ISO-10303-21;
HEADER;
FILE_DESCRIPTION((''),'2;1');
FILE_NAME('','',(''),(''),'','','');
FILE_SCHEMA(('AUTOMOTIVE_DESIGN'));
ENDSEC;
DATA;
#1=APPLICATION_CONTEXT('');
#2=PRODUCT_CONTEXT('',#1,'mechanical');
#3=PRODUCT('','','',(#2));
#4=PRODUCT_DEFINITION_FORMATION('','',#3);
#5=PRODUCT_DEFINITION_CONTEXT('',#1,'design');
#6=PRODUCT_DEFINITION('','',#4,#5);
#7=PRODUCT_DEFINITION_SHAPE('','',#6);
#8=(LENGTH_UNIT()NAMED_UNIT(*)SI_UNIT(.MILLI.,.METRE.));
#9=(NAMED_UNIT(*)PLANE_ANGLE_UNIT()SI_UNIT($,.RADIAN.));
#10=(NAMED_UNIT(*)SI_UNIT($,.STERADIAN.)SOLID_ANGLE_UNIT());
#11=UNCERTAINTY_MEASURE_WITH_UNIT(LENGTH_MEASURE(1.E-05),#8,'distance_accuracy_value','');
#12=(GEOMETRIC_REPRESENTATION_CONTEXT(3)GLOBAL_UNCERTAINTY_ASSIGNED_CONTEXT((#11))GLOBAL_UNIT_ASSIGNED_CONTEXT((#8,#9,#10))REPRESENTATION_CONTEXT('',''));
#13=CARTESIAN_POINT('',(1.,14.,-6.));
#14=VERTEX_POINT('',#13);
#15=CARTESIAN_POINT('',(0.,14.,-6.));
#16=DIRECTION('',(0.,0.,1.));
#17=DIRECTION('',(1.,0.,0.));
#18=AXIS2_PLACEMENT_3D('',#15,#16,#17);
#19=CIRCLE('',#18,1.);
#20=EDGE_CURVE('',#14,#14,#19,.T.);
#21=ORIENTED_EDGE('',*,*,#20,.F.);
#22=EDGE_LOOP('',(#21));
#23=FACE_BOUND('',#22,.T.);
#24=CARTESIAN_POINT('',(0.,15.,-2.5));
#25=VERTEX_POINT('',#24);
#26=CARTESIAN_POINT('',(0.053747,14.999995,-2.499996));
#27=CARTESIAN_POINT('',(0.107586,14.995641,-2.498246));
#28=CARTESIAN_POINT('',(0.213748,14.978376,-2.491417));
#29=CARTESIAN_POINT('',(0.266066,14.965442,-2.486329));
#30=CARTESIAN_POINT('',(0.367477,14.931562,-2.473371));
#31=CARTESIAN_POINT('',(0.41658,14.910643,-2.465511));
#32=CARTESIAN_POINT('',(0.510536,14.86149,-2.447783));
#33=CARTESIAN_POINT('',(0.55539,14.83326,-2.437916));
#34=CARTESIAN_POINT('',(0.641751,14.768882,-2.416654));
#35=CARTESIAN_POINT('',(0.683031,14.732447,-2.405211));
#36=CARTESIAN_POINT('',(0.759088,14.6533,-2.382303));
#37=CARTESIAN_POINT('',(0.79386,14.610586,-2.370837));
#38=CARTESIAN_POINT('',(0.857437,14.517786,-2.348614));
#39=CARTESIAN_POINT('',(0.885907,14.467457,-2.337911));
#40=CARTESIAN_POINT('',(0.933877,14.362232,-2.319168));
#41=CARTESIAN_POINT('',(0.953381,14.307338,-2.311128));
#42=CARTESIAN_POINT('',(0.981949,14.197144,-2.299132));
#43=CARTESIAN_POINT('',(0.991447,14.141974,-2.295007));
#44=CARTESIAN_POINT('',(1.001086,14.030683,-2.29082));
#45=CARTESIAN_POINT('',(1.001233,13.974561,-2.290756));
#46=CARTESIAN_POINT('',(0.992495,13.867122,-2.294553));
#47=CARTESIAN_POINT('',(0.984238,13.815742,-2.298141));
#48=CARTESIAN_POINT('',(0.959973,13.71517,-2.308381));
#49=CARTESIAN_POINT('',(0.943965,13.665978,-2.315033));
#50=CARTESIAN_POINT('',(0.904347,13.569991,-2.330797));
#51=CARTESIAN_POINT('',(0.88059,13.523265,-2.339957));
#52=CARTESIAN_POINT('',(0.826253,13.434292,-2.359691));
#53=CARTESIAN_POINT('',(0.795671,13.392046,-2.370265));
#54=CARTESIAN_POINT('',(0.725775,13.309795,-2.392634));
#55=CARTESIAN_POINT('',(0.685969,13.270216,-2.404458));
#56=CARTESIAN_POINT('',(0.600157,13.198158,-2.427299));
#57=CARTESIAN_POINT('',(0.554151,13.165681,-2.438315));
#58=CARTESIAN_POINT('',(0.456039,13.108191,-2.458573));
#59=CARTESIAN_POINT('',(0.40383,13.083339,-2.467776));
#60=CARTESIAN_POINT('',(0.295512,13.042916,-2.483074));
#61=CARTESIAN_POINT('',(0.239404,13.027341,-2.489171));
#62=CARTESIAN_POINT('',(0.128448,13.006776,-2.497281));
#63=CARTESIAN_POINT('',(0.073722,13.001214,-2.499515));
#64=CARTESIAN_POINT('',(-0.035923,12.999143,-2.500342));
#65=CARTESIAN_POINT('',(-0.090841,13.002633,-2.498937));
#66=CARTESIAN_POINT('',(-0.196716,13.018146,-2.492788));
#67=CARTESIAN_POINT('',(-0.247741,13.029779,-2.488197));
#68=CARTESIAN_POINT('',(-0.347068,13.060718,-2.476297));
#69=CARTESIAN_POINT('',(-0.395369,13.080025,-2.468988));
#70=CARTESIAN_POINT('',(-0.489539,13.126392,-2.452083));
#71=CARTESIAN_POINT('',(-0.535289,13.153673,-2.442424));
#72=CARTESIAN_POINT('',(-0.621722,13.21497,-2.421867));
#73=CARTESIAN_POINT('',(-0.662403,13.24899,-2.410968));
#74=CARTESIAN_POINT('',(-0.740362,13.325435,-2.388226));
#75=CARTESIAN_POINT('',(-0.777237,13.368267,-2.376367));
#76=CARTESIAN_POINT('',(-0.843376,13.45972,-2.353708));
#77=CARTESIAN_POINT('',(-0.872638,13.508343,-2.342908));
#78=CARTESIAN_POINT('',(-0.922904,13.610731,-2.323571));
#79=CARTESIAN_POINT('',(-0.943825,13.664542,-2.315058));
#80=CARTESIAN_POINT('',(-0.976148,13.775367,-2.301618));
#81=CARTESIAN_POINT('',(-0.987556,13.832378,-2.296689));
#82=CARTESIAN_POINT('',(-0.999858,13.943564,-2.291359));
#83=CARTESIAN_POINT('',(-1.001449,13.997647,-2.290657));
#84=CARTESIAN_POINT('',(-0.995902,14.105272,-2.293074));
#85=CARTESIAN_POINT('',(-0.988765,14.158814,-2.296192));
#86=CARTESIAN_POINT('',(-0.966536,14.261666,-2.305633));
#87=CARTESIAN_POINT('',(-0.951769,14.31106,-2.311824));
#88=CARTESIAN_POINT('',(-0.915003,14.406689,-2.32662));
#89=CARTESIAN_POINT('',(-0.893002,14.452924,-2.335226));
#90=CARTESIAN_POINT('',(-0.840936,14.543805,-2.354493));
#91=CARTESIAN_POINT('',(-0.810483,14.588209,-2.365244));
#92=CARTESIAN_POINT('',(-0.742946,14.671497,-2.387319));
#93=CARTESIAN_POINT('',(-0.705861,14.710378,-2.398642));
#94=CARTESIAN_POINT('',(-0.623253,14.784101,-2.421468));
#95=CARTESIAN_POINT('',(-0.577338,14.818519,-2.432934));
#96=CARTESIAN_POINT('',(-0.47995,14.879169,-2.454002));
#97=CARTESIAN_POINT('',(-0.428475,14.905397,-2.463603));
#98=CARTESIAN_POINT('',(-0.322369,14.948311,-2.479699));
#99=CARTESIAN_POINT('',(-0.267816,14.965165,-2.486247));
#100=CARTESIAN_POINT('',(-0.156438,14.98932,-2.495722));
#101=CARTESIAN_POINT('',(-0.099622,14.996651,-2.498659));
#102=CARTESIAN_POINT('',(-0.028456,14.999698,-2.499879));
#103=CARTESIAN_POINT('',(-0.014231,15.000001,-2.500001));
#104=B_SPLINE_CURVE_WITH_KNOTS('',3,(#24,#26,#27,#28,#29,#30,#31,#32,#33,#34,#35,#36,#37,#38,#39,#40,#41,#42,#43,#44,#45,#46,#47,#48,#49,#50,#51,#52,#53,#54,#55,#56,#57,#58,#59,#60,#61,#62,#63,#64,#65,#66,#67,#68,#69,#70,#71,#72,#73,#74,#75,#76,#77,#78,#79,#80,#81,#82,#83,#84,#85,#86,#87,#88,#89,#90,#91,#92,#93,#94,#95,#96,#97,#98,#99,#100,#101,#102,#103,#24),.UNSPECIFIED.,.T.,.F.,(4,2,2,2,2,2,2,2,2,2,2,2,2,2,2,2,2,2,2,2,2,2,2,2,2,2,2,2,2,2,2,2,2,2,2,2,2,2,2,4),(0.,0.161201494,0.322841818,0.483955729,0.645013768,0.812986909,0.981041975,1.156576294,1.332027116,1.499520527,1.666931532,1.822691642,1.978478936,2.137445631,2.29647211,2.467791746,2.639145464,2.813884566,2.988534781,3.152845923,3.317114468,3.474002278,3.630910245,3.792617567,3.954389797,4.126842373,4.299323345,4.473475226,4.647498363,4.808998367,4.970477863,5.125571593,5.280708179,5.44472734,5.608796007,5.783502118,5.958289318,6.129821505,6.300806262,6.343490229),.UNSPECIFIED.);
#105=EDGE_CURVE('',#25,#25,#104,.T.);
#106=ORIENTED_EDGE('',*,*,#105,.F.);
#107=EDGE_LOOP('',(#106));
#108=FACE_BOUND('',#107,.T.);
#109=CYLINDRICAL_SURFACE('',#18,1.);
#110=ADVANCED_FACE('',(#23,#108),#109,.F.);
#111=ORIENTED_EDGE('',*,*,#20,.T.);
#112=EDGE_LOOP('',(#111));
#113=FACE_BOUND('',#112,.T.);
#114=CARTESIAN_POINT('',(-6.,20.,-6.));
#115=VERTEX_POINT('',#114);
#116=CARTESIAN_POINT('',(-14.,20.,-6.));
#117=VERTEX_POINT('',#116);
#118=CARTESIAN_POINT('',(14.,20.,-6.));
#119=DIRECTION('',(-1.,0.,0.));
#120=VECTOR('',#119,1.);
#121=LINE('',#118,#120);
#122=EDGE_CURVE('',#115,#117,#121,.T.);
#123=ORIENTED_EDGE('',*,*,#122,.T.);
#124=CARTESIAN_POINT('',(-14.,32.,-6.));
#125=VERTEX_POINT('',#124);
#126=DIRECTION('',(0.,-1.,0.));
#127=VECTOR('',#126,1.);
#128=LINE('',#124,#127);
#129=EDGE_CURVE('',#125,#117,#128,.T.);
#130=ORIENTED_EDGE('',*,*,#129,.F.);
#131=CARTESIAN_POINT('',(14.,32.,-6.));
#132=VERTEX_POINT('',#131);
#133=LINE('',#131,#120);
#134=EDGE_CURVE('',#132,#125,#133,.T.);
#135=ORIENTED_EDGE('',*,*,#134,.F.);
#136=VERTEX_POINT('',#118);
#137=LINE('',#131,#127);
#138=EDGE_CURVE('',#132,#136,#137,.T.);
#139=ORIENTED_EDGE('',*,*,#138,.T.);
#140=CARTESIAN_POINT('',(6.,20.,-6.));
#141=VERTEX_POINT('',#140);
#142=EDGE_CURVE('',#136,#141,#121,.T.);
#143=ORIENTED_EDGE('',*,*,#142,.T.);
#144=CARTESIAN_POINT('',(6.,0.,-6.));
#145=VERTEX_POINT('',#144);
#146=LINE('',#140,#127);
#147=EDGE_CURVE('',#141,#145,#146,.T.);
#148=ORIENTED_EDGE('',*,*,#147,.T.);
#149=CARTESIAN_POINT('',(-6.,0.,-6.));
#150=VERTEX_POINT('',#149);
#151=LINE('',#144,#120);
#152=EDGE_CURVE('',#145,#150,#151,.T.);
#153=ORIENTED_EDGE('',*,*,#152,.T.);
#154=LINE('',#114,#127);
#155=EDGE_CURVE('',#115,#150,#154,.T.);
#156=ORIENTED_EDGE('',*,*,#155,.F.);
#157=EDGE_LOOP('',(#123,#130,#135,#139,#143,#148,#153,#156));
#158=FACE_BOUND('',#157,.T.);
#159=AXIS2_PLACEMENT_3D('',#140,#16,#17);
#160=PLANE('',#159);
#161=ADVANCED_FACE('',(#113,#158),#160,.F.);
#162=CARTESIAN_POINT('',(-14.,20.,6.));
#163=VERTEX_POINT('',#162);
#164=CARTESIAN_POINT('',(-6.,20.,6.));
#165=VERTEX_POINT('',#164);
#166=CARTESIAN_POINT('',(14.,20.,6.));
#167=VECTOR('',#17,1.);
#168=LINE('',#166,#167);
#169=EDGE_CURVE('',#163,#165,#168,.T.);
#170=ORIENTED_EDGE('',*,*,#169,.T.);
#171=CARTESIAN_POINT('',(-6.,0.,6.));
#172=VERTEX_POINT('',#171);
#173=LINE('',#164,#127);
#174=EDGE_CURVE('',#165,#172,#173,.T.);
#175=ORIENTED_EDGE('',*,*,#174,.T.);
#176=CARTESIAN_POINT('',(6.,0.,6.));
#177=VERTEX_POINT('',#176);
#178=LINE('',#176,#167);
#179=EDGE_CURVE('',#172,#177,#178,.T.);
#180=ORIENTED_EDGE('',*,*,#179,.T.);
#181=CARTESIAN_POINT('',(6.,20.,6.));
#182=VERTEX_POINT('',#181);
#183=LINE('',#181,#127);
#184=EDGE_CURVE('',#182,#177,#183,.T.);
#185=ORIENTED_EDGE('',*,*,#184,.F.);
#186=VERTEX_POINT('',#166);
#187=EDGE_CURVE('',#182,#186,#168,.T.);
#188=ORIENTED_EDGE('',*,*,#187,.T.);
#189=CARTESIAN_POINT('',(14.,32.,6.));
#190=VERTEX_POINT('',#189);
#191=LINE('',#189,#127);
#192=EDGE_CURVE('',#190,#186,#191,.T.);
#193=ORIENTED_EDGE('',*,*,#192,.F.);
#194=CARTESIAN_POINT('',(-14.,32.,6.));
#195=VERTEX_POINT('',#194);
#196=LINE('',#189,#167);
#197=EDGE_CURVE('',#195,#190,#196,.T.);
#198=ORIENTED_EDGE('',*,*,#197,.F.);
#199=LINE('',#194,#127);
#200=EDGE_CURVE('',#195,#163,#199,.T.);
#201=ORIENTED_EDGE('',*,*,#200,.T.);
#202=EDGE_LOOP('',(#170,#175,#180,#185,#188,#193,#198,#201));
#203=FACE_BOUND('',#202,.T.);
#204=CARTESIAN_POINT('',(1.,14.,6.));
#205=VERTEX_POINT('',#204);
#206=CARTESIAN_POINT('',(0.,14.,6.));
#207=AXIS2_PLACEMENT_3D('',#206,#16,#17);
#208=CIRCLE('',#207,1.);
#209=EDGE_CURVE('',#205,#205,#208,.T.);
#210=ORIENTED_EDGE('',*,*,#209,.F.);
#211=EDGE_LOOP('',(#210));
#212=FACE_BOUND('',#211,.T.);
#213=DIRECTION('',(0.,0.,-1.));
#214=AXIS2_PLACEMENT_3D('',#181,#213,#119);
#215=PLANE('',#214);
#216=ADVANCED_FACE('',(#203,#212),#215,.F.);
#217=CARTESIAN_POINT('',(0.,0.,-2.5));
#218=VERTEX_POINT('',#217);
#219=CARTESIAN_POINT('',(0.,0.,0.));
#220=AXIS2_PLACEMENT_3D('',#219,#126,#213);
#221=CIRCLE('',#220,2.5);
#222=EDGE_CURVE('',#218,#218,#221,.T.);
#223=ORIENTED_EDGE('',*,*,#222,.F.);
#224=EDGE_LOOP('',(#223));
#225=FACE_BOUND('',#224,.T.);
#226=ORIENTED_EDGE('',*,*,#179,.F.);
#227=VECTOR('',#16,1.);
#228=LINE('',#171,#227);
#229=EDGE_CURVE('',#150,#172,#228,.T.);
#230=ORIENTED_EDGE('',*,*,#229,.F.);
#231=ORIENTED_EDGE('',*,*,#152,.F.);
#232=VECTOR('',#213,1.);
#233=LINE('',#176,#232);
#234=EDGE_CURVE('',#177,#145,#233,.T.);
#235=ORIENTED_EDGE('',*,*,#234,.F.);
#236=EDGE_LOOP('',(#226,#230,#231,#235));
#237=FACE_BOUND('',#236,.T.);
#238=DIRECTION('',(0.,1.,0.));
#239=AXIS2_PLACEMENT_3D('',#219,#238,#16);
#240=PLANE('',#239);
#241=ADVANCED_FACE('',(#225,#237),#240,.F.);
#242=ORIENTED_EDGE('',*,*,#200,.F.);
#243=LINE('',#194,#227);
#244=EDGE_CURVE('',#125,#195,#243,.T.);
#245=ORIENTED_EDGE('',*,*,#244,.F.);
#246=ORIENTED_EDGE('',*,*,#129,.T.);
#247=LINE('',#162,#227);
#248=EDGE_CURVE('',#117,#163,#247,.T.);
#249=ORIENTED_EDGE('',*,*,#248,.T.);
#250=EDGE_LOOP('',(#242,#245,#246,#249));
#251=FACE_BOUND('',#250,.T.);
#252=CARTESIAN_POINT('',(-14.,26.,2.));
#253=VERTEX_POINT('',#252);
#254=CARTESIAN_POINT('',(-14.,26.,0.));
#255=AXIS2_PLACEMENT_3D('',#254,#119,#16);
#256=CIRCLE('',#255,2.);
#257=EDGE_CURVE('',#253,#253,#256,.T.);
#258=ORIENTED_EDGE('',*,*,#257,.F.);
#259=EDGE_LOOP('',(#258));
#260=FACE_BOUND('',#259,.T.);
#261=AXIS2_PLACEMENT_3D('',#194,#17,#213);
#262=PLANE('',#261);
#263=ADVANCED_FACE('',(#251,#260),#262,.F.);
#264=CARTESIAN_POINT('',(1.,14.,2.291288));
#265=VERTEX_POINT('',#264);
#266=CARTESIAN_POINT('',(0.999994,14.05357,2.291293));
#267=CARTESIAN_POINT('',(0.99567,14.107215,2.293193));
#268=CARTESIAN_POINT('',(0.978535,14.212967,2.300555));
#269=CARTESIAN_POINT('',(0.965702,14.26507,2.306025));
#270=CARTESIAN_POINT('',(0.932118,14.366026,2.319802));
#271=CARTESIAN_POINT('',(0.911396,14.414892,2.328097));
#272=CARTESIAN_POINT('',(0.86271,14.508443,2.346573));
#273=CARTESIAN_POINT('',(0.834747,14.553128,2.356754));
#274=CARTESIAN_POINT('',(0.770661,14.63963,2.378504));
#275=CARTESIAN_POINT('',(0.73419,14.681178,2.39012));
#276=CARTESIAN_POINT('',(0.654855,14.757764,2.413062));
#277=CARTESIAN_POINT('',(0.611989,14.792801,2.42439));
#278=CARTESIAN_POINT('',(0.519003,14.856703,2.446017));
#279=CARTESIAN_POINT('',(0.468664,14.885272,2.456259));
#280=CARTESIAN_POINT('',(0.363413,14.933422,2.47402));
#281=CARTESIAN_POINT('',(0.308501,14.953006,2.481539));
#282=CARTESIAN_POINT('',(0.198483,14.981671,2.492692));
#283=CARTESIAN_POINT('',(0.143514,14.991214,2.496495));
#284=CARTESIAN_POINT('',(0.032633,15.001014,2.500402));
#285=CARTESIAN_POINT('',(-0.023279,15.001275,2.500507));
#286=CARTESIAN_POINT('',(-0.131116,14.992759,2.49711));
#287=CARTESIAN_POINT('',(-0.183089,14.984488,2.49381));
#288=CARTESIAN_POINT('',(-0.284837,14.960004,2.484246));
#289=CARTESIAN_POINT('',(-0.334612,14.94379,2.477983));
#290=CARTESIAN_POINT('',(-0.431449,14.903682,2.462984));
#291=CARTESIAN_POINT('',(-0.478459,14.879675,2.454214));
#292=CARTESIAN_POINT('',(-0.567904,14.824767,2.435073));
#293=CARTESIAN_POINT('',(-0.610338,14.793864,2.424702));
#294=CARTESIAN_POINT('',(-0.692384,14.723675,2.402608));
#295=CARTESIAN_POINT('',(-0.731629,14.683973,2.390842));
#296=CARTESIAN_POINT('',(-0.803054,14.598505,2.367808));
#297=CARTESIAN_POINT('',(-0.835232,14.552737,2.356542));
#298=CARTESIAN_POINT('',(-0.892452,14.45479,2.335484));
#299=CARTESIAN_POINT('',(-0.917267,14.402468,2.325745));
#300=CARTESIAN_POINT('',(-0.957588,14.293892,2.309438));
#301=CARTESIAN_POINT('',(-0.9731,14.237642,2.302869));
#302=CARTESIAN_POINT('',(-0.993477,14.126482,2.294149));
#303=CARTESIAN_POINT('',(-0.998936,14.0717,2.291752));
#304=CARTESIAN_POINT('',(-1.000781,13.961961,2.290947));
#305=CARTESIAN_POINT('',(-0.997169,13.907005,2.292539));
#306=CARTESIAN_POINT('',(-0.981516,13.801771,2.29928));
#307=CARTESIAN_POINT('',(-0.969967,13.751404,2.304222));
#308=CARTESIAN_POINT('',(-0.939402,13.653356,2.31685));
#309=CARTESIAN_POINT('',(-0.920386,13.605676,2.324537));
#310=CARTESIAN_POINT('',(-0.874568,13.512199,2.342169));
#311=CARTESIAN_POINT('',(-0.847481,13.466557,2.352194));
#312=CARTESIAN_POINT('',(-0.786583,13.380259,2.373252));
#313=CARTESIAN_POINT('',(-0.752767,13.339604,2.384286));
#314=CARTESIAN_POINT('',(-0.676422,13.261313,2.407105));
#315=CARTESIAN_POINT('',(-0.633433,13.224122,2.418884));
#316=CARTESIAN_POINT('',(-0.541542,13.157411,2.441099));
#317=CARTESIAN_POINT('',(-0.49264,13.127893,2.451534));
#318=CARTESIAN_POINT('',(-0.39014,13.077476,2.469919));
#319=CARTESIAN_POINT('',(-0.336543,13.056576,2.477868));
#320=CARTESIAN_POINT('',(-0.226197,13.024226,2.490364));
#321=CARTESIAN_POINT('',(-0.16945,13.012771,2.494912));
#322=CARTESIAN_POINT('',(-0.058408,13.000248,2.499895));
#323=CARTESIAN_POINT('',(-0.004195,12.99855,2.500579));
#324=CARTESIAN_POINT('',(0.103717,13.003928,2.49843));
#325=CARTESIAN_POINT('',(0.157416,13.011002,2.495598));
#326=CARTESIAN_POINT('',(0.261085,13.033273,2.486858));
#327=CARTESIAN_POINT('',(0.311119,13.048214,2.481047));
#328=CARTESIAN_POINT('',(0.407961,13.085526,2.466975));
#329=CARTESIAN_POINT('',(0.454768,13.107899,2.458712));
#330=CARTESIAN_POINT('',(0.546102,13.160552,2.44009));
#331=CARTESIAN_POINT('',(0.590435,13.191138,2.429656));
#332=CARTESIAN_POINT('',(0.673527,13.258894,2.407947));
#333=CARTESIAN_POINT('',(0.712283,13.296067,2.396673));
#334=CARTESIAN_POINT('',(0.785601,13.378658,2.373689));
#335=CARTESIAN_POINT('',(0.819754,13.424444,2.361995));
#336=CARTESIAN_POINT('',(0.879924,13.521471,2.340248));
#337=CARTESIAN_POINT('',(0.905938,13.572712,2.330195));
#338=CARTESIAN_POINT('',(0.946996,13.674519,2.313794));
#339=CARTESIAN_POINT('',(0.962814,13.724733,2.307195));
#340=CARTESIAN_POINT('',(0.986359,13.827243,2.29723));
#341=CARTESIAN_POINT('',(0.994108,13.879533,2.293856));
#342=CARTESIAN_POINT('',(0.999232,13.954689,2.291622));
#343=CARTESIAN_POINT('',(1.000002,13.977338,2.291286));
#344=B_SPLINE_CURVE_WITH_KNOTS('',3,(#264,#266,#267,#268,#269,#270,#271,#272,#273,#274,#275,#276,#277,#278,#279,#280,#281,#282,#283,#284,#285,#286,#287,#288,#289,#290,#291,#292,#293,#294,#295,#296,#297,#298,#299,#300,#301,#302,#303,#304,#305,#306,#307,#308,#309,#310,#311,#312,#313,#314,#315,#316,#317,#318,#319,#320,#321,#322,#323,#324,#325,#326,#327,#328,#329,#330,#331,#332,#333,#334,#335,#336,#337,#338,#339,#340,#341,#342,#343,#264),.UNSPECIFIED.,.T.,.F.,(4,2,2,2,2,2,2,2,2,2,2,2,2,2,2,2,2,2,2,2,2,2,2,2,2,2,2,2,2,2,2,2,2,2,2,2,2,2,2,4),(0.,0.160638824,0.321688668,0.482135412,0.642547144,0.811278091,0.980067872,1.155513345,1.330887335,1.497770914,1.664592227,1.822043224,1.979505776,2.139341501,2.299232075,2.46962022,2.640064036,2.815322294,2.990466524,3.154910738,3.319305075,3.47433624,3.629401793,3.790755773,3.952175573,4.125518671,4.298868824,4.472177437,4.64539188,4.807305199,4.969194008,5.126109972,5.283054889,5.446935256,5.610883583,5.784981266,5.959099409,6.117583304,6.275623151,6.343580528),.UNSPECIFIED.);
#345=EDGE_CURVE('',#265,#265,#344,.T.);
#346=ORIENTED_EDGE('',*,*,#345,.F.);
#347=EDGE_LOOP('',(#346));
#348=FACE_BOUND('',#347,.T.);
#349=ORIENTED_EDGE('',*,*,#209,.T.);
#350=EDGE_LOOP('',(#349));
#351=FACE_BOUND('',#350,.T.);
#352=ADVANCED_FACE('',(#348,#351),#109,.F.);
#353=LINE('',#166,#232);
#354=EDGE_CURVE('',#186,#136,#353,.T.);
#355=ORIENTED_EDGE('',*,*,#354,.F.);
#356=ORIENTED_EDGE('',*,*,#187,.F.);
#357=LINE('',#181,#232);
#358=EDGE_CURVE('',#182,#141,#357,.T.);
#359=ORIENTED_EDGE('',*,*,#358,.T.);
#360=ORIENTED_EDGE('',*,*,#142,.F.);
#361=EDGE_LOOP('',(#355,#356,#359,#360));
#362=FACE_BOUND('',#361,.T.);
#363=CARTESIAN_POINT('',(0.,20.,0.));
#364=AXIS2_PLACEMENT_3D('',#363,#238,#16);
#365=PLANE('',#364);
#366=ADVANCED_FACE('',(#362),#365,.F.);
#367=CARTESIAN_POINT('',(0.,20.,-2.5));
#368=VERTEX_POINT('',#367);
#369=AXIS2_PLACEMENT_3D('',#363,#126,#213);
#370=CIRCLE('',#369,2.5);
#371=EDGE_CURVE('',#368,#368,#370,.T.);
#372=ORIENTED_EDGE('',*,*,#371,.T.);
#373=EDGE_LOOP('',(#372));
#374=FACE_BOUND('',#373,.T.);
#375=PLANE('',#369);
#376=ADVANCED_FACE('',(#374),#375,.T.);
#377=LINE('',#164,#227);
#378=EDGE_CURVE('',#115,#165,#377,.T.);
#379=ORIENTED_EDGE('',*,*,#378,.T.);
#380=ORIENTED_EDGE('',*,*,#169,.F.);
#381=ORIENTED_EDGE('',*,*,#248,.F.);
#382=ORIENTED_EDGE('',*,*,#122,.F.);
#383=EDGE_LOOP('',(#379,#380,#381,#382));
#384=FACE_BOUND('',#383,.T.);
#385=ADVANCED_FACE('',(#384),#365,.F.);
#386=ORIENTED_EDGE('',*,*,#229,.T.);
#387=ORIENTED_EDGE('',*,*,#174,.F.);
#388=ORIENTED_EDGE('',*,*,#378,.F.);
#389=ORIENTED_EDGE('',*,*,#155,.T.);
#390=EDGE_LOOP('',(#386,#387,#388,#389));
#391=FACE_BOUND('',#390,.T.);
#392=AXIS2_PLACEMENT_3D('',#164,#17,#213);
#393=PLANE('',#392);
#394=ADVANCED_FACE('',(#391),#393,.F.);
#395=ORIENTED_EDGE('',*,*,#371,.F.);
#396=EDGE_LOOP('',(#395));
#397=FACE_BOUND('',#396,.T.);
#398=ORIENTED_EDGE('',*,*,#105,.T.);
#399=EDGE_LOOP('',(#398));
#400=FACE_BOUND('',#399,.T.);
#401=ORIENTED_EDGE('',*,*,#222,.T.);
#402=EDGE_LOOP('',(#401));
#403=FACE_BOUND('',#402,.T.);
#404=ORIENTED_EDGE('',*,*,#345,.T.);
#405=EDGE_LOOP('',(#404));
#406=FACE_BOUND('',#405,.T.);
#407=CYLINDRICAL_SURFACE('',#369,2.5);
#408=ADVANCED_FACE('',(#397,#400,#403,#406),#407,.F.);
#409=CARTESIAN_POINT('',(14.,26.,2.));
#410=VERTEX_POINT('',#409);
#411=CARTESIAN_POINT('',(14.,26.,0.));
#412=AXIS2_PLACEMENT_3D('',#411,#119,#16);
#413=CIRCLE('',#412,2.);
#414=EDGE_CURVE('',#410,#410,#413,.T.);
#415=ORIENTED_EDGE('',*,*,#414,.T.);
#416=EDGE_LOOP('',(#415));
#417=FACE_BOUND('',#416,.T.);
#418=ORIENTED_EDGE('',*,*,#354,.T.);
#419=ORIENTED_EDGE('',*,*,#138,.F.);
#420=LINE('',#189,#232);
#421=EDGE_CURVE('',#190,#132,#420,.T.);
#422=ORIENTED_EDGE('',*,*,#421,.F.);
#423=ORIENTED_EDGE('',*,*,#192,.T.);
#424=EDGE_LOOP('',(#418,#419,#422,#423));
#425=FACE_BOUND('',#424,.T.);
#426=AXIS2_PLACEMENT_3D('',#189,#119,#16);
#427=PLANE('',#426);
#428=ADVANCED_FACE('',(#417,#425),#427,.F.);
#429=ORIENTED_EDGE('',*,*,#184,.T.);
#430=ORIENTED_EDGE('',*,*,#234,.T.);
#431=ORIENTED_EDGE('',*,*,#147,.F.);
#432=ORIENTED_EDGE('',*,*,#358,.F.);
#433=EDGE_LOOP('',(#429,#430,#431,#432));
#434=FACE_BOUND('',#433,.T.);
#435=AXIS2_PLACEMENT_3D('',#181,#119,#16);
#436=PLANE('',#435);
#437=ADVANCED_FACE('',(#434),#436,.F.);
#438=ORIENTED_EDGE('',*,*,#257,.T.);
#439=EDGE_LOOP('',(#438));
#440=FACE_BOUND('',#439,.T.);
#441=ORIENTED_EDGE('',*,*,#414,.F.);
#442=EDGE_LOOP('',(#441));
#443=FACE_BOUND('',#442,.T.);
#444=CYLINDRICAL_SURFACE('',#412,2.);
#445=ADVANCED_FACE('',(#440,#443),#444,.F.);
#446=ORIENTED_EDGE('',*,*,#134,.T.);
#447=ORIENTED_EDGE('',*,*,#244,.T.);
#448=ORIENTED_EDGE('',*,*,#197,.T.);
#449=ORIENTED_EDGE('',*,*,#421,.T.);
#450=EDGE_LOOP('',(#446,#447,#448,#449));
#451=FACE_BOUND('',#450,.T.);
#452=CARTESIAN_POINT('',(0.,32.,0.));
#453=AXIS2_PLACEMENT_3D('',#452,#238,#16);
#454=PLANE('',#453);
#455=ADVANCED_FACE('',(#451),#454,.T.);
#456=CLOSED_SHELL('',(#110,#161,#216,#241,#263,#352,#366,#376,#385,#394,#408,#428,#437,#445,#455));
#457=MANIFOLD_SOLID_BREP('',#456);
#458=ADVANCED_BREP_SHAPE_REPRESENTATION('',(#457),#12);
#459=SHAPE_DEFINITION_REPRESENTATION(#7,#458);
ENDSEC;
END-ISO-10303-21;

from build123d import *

# Parameters (mm, degrees)
SKETCH_1_W          = 12
SKETCH_1_H          = 12
EXTRUDE_1_DEPTH     = 20
SKETCH_2_W          = 28
SKETCH_2_H          = 12
EXTRUDE_2_DEPTH     = 12
SKETCH_3_R          = 2.5
CUT_EXTRUDE_1_DEPTH = 20
SKETCH_4_R          = 1
CUT_EXTRUDE_2_DEPTH = 13
SKETCH_5_R          = 2
CUT_EXTRUDE_3_DEPTH = 29


with BuildPart() as part:
    # Эскиз1 → Бобышка-Вытянуть1 (new body)
    with BuildSketch(Plane(origin=(0, 0, 0), x_dir=(1, 0, 0), z_dir=(0, 1, 0))):
        Rectangle(SKETCH_1_W, SKETCH_1_H)
    extrude(amount=EXTRUDE_1_DEPTH)

    # Эскиз2 → Бобышка-Вытянуть2 (add)
    with BuildSketch(Plane(origin=(0, 20, 0), x_dir=(1, 0, 0), z_dir=(0, 1, 0))):
        Rectangle(SKETCH_2_W, SKETCH_2_H)
    extrude(amount=EXTRUDE_2_DEPTH)

    # Эскиз3 → Вырез-Вытянуть1 (cut)
    with BuildSketch(Plane.XZ):
        Circle(SKETCH_3_R)
    extrude(amount=-CUT_EXTRUDE_1_DEPTH, mode=Mode.SUBTRACT)

    # Эскиз4 → Вырез-Вытянуть2 (cut, through all)
    with BuildSketch(Plane.XY.offset(6)):
        with Locations((0, 14)):
            Circle(SKETCH_4_R)
    extrude(amount=-CUT_EXTRUDE_2_DEPTH, mode=Mode.SUBTRACT)

    # Эскиз5 → Вырез-Вытянуть3 (cut, through all)
    with BuildSketch(Plane.ZY.offset(14)):
        with Locations((0, 26)):
            Circle(SKETCH_5_R)
    extrude(amount=-CUT_EXTRUDE_3_DEPTH, mode=Mode.SUBTRACT)


solid = part.part
